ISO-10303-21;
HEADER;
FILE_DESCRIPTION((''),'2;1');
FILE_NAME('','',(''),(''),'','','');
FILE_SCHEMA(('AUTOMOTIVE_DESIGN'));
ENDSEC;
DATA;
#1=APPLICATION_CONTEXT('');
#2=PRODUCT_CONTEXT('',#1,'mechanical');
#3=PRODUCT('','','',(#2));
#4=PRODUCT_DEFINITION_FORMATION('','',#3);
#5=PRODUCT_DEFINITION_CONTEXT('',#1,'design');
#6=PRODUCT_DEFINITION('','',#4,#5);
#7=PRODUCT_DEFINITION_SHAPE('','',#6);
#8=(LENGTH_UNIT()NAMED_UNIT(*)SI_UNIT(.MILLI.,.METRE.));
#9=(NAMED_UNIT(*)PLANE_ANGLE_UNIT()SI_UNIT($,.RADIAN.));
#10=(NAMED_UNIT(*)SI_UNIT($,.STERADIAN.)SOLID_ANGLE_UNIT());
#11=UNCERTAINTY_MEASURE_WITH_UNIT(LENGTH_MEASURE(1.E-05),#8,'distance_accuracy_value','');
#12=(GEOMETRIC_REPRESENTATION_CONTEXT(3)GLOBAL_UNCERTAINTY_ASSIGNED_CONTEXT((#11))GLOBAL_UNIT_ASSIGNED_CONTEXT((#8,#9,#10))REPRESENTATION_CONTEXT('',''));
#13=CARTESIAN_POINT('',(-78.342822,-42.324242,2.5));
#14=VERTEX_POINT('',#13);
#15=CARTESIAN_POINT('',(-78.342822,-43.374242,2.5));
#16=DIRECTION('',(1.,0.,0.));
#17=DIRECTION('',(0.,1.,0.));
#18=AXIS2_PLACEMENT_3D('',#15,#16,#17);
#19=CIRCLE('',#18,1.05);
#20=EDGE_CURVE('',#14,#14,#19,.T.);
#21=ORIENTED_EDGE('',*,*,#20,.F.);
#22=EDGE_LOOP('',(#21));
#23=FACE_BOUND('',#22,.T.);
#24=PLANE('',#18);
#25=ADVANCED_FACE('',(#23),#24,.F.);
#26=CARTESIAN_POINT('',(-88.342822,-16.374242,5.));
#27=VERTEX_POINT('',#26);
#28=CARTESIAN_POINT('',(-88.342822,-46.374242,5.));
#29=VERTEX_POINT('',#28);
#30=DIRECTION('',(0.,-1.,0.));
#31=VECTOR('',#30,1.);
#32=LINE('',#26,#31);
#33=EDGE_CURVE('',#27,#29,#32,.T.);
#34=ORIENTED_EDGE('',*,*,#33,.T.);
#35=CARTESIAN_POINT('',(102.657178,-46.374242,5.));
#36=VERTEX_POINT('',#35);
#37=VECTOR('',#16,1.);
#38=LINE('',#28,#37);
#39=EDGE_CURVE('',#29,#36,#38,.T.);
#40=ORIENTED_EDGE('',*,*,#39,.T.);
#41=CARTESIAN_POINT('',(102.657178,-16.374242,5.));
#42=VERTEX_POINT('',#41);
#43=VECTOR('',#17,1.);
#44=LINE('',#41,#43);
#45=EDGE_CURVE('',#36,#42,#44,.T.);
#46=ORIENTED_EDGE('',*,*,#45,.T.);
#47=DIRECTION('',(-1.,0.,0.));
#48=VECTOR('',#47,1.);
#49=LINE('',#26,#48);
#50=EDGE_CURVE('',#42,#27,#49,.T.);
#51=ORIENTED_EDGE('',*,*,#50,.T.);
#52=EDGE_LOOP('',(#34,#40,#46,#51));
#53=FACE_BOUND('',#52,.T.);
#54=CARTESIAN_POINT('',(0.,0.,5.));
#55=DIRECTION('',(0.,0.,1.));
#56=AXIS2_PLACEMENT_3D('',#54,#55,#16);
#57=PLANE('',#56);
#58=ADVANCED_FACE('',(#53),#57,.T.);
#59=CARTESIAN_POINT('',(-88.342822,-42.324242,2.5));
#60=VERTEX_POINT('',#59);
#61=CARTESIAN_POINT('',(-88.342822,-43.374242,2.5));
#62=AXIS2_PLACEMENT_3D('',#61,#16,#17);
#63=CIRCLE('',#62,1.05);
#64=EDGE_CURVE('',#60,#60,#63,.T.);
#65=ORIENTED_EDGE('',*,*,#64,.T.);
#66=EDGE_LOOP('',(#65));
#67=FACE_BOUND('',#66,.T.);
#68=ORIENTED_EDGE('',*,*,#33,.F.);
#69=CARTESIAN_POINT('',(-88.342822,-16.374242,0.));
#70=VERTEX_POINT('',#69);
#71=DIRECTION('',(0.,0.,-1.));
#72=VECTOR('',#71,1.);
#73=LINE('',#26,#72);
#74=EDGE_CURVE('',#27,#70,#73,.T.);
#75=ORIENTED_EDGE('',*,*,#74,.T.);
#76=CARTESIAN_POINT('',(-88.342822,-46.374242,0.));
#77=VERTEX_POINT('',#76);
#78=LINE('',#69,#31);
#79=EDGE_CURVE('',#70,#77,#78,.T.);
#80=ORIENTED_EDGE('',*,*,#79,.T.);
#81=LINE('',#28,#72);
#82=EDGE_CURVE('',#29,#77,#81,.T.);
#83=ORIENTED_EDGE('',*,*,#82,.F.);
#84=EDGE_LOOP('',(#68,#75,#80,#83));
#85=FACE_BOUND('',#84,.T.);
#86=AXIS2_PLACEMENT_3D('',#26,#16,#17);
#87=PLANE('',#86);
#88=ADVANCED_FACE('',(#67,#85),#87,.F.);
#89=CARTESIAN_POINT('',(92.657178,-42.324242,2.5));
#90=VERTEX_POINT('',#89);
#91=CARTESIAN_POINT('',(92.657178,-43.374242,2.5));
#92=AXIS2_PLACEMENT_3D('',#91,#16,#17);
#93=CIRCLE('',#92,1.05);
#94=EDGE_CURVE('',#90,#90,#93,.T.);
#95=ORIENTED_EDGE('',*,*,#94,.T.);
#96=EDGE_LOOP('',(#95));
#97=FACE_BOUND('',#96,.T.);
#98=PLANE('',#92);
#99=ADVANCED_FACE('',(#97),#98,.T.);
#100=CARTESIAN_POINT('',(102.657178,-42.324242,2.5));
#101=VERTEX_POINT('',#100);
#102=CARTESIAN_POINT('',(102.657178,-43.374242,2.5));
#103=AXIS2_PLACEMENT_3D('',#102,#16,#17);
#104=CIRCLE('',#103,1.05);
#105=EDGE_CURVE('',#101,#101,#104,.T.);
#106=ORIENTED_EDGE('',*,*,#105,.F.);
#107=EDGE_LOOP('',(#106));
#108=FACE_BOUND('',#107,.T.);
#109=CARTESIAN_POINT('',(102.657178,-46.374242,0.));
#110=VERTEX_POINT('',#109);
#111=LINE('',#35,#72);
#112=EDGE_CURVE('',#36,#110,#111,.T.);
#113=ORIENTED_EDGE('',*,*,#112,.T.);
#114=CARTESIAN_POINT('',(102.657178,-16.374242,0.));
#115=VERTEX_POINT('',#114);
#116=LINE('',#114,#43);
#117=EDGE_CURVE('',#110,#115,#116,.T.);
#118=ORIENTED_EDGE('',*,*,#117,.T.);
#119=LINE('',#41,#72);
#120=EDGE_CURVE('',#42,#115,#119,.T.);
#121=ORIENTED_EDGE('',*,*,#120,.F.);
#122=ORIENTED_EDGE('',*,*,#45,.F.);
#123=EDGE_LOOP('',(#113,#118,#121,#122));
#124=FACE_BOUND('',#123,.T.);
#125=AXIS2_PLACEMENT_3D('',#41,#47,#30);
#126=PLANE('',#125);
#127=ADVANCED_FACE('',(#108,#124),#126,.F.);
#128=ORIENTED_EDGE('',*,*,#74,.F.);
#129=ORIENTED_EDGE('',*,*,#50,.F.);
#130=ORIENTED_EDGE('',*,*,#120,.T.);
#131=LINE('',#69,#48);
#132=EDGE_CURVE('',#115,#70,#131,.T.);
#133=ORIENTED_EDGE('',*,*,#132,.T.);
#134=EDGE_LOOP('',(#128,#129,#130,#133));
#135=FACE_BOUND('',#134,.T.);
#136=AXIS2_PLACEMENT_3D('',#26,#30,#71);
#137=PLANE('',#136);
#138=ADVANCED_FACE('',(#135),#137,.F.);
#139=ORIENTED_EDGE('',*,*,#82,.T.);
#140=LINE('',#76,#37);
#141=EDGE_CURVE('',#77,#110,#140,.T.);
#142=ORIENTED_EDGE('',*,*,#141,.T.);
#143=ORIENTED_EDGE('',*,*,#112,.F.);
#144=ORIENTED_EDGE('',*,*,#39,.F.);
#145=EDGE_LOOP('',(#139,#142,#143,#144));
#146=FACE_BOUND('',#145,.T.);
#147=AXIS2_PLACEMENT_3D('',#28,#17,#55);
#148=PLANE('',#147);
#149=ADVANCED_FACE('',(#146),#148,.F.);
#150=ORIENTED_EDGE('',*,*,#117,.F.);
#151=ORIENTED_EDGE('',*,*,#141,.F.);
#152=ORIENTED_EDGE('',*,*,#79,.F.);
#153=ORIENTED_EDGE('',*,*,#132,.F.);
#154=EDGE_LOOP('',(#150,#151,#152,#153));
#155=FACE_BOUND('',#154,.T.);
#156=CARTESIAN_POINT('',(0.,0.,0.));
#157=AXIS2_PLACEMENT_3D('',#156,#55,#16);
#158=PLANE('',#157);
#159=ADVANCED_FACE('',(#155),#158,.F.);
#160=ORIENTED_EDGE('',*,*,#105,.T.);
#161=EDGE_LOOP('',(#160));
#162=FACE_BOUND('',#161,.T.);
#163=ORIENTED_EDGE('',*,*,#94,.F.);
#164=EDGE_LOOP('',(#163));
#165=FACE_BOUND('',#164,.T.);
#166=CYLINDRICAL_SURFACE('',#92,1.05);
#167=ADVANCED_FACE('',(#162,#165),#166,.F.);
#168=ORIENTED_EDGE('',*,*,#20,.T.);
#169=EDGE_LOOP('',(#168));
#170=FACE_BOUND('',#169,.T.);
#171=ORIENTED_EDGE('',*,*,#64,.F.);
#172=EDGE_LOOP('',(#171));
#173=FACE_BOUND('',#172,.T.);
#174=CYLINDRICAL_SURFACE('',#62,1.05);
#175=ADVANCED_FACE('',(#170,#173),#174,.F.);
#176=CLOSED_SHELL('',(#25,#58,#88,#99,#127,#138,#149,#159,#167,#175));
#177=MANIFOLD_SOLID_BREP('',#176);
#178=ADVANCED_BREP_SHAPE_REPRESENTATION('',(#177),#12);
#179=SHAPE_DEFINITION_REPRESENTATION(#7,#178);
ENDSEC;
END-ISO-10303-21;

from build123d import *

# Parameters (mm, degrees)
ESQUISSE1_W                = 191
ESQUISSE1_H                = 30
BOSS_EXTRU_1_DEPTH         = 5
ESQUISSE3_R                = 1.05
ENL_V_MAT_EXTRU_5_DEPTH    = 10
R_P_TITION_LIN_AIRE1_COUNT = 2
R_P_TITION_LIN_AIRE1_PITCH = 181


with BuildPart() as part:
    # Esquisse1 → Boss.-Extru.1 (new body)
    with BuildSketch(Plane.XY):
        with Locations((7.157177791, -31.374242424)):
            Rectangle(ESQUISSE1_W, ESQUISSE1_H)
    extrude(amount=BOSS_EXTRU_1_DEPTH)

    # Esquisse3 → Enlèv. mat.-Extru.5 (cut)
    with BuildSketch(Plane(origin=(102.657177791, 0, 0), x_dir=(0, 0, -1), z_dir=(1, 0, 0))):
        with Locations((-2.5, -43.374242424)):
            Circle(ESQUISSE3_R)
    enl_v_mat_extru_5 = extrude(amount=-ENL_V_MAT_EXTRU_5_DEPTH, mode=Mode.SUBTRACT)

    # Répétition linéaire1: Enlèv. mat.-Extru.5 ×2
    with Locations(*[(-i * R_P_TITION_LIN_AIRE1_PITCH, 0, 0) for i in range(1, R_P_TITION_LIN_AIRE1_COUNT)]):
        add(enl_v_mat_extru_5, mode=Mode.SUBTRACT)


solid = part.part
